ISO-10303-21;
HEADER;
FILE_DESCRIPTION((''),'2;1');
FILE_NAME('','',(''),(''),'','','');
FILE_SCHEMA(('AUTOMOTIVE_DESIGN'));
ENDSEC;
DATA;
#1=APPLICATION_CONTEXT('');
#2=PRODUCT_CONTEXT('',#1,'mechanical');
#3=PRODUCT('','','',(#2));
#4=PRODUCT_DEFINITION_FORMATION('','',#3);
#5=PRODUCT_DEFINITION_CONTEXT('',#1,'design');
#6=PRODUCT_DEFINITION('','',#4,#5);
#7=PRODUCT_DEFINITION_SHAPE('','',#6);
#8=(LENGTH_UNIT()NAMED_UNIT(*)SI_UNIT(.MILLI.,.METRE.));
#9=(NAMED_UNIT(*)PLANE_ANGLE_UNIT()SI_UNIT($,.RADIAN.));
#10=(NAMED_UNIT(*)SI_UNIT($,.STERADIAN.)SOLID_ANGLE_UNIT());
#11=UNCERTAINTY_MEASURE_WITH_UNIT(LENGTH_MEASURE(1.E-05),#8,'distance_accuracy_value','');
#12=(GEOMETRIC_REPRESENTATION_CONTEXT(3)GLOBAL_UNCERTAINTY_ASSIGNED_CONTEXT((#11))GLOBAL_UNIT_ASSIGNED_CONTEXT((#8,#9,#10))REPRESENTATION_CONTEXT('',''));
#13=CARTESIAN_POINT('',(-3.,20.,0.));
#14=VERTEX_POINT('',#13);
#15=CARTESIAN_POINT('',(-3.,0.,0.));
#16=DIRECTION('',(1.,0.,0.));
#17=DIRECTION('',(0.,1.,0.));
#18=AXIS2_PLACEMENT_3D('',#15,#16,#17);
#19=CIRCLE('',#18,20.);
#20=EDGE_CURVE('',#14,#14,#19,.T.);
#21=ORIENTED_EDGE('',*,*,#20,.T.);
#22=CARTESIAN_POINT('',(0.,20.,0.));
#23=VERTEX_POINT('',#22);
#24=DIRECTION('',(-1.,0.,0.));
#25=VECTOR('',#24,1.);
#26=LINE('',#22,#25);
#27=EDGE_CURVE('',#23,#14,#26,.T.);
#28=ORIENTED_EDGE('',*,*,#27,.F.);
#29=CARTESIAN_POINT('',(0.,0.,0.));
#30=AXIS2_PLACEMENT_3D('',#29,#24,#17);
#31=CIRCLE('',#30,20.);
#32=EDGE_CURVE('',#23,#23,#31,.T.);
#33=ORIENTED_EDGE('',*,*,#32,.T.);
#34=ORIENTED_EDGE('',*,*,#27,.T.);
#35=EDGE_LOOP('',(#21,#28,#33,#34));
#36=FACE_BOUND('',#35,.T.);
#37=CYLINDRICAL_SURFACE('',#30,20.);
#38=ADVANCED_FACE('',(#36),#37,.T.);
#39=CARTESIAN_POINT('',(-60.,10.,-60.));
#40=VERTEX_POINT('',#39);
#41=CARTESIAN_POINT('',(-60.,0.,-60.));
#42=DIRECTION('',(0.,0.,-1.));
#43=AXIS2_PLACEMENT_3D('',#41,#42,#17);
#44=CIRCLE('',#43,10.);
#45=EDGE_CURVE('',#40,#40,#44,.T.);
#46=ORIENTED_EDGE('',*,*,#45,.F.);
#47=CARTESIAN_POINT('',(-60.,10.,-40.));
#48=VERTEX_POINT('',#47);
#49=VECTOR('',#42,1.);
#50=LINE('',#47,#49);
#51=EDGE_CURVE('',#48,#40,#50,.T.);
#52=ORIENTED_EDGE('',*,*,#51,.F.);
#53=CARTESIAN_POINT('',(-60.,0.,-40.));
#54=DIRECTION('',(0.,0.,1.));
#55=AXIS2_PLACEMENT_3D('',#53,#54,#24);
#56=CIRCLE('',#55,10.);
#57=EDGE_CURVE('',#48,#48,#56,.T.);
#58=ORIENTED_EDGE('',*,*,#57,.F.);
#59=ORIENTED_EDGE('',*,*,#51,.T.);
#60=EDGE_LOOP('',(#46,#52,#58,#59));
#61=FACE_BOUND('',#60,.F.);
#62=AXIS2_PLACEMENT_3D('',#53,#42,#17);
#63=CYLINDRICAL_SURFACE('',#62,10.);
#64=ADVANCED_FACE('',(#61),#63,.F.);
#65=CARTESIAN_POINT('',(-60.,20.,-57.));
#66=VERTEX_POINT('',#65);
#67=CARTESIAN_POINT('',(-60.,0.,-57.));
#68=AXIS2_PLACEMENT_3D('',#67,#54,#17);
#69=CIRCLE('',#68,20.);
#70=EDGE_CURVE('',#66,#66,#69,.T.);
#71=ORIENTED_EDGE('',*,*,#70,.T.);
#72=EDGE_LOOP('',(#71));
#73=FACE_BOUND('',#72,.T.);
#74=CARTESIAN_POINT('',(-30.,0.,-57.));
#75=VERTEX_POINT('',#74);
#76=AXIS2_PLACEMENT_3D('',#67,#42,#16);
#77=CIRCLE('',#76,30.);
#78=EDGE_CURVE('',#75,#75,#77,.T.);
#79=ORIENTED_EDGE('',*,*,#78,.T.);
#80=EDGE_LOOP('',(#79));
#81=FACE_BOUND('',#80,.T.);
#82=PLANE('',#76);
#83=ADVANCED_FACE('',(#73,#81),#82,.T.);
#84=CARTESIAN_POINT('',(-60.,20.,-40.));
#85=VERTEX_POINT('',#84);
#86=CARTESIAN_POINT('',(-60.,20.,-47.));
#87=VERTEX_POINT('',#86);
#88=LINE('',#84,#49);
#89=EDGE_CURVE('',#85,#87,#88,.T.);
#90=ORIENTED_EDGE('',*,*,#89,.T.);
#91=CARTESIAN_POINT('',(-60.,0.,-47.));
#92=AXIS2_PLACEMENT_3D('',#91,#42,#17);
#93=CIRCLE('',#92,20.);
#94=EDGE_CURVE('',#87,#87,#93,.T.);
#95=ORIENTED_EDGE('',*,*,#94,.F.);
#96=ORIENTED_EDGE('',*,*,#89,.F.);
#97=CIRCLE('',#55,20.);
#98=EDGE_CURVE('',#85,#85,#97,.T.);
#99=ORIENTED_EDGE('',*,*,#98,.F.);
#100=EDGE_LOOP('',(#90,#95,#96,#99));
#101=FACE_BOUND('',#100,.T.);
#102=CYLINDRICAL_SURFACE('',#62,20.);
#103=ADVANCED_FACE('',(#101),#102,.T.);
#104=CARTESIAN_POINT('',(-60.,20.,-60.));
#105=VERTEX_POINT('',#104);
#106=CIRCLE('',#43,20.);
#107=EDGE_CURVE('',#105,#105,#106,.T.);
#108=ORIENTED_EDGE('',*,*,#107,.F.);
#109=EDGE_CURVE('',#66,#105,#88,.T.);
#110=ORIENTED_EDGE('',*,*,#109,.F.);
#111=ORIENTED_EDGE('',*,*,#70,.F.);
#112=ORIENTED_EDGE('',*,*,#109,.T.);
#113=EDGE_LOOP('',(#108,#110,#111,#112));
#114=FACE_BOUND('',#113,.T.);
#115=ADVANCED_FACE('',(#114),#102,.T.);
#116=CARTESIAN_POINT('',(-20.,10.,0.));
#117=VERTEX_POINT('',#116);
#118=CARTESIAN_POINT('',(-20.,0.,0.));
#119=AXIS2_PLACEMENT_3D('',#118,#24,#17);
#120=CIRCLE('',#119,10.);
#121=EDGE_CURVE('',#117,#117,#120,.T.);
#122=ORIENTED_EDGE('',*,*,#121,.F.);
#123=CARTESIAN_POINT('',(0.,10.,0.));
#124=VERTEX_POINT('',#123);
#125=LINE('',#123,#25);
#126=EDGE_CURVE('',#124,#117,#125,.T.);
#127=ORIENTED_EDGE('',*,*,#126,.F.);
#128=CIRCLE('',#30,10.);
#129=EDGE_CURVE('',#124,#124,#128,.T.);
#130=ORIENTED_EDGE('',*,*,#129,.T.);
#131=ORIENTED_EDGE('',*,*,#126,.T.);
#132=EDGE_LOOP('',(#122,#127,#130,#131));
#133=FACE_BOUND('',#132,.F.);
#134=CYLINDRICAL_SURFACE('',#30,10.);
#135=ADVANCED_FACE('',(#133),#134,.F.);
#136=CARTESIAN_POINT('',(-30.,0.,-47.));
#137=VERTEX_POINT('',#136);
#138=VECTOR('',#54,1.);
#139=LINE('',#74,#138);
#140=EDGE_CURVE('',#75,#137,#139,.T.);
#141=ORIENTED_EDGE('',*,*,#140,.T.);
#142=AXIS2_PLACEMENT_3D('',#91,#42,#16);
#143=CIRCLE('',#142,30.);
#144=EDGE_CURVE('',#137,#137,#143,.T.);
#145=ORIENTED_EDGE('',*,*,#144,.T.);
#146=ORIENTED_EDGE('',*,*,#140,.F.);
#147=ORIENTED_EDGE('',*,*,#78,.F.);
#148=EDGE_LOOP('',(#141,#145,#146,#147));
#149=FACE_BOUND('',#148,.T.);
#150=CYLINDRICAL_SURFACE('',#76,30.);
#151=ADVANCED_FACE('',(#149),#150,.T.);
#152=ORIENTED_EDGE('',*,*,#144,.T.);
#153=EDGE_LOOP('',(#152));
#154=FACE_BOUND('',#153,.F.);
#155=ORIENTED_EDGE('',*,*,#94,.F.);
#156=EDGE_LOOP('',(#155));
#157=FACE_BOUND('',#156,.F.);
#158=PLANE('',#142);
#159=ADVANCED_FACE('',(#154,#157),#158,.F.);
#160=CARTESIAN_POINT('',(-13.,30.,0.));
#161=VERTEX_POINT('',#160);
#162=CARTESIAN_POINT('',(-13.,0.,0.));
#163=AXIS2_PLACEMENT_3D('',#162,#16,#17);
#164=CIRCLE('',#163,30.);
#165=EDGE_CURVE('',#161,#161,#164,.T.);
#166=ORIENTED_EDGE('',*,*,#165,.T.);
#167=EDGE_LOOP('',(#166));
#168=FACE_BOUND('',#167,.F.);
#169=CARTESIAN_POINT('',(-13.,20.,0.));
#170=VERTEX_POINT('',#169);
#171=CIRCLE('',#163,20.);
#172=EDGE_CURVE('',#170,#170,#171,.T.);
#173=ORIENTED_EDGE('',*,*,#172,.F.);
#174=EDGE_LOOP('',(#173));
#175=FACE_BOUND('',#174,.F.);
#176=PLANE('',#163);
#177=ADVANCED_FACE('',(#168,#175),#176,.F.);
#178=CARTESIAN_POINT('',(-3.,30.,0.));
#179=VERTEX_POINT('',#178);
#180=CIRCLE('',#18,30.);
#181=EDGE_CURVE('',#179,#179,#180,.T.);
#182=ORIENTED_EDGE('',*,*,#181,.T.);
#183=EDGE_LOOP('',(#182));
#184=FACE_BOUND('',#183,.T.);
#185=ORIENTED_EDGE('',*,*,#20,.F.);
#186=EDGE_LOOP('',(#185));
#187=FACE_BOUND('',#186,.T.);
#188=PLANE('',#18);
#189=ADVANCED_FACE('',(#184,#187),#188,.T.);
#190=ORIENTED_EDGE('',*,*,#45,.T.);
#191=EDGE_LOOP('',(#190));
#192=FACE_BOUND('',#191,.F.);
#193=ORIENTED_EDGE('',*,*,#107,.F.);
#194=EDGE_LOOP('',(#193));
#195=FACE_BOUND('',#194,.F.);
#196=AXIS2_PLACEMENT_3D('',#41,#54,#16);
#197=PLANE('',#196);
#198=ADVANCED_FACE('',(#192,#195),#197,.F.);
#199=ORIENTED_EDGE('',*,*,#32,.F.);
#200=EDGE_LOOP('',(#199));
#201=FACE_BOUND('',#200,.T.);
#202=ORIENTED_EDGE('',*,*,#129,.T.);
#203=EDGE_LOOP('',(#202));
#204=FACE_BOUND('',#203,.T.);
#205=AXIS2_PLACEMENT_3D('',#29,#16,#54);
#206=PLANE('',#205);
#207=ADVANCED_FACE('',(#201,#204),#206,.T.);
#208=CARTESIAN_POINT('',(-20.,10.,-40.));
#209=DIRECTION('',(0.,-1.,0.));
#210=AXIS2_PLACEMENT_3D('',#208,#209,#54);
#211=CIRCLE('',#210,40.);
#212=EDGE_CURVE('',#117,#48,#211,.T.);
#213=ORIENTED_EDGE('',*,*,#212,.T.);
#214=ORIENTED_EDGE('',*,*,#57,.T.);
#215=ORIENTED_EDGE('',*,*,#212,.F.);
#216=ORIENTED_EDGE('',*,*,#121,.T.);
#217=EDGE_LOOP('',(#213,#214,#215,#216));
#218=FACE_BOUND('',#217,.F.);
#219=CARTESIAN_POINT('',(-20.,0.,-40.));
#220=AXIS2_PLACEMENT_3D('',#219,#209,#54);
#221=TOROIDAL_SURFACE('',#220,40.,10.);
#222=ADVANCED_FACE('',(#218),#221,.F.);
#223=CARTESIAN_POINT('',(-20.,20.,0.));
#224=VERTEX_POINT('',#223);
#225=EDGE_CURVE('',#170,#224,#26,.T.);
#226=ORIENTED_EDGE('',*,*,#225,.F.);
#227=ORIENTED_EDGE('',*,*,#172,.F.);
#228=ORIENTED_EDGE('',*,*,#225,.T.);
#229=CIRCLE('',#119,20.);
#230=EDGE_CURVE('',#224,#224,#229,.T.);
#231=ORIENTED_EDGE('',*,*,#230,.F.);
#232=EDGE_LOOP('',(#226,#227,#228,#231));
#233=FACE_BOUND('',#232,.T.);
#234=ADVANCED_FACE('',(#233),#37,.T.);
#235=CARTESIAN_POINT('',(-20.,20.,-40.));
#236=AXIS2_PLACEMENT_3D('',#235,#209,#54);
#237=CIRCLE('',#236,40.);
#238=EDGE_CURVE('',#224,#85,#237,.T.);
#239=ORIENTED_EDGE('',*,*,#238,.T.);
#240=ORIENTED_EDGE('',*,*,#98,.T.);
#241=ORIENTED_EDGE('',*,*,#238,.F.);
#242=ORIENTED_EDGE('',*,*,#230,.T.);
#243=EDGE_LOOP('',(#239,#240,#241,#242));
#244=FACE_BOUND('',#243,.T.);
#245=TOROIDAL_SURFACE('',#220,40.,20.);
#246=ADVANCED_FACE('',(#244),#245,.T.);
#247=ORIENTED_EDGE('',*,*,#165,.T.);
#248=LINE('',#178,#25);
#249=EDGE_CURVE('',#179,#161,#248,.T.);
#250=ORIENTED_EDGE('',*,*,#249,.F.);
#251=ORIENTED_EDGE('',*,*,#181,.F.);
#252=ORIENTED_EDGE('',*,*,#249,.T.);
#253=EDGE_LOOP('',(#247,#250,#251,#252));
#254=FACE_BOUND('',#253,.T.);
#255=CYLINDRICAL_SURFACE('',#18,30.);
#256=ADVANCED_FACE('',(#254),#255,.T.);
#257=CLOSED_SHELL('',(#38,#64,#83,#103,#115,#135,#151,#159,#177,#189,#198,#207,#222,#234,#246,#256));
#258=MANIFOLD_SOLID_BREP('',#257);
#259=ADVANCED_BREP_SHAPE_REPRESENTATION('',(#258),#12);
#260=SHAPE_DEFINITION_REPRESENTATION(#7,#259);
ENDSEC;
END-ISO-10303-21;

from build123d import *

# Parameters (mm, degrees)
F0_R     = 20
F0_R_2   = 10
F4_R     = 30
F4_R_2   = 20
F5_DEPTH = 10
F7_R     = 30
F7_R_2   = 20
F8_DEPTH = 10


with BuildPart() as f2:
    # F2: sweep along a path in F1
    with BuildLine(Plane.XZ) as f2_path:
        Line((0, 0), (-20, 0))
        ThreePointArc((-20, 0), (-48.2842712475, -11.7157287525), (-60, -40))
        Line((-60, -40), (-60, -60))
    # F0 (on Right) → F2 (sweep)
    with BuildSketch(Plane.YZ):
        Circle(F0_R)
        Circle(F0_R_2, mode=Mode.SUBTRACT)
    sweep(path=f2_path.line)

    # F4 (on offset) → F5 (join)
    with BuildSketch(Plane.YZ.offset(-3)):
        Circle(F4_R)
        Circle(F4_R_2, mode=Mode.SUBTRACT)
    extrude(amount=-F5_DEPTH)

    # F7 (on offset) → F8 (join)
    with BuildSketch(Plane(origin=(0, 0, -57), x_dir=(1, 0, 0), z_dir=(0, 0, -1))):
        with Locations((-60, 0)):
            Circle(F7_R)
        with Locations((-60, 0)):
            Circle(F7_R_2, mode=Mode.SUBTRACT)
    extrude(amount=-F8_DEPTH)


solid = f2.part
